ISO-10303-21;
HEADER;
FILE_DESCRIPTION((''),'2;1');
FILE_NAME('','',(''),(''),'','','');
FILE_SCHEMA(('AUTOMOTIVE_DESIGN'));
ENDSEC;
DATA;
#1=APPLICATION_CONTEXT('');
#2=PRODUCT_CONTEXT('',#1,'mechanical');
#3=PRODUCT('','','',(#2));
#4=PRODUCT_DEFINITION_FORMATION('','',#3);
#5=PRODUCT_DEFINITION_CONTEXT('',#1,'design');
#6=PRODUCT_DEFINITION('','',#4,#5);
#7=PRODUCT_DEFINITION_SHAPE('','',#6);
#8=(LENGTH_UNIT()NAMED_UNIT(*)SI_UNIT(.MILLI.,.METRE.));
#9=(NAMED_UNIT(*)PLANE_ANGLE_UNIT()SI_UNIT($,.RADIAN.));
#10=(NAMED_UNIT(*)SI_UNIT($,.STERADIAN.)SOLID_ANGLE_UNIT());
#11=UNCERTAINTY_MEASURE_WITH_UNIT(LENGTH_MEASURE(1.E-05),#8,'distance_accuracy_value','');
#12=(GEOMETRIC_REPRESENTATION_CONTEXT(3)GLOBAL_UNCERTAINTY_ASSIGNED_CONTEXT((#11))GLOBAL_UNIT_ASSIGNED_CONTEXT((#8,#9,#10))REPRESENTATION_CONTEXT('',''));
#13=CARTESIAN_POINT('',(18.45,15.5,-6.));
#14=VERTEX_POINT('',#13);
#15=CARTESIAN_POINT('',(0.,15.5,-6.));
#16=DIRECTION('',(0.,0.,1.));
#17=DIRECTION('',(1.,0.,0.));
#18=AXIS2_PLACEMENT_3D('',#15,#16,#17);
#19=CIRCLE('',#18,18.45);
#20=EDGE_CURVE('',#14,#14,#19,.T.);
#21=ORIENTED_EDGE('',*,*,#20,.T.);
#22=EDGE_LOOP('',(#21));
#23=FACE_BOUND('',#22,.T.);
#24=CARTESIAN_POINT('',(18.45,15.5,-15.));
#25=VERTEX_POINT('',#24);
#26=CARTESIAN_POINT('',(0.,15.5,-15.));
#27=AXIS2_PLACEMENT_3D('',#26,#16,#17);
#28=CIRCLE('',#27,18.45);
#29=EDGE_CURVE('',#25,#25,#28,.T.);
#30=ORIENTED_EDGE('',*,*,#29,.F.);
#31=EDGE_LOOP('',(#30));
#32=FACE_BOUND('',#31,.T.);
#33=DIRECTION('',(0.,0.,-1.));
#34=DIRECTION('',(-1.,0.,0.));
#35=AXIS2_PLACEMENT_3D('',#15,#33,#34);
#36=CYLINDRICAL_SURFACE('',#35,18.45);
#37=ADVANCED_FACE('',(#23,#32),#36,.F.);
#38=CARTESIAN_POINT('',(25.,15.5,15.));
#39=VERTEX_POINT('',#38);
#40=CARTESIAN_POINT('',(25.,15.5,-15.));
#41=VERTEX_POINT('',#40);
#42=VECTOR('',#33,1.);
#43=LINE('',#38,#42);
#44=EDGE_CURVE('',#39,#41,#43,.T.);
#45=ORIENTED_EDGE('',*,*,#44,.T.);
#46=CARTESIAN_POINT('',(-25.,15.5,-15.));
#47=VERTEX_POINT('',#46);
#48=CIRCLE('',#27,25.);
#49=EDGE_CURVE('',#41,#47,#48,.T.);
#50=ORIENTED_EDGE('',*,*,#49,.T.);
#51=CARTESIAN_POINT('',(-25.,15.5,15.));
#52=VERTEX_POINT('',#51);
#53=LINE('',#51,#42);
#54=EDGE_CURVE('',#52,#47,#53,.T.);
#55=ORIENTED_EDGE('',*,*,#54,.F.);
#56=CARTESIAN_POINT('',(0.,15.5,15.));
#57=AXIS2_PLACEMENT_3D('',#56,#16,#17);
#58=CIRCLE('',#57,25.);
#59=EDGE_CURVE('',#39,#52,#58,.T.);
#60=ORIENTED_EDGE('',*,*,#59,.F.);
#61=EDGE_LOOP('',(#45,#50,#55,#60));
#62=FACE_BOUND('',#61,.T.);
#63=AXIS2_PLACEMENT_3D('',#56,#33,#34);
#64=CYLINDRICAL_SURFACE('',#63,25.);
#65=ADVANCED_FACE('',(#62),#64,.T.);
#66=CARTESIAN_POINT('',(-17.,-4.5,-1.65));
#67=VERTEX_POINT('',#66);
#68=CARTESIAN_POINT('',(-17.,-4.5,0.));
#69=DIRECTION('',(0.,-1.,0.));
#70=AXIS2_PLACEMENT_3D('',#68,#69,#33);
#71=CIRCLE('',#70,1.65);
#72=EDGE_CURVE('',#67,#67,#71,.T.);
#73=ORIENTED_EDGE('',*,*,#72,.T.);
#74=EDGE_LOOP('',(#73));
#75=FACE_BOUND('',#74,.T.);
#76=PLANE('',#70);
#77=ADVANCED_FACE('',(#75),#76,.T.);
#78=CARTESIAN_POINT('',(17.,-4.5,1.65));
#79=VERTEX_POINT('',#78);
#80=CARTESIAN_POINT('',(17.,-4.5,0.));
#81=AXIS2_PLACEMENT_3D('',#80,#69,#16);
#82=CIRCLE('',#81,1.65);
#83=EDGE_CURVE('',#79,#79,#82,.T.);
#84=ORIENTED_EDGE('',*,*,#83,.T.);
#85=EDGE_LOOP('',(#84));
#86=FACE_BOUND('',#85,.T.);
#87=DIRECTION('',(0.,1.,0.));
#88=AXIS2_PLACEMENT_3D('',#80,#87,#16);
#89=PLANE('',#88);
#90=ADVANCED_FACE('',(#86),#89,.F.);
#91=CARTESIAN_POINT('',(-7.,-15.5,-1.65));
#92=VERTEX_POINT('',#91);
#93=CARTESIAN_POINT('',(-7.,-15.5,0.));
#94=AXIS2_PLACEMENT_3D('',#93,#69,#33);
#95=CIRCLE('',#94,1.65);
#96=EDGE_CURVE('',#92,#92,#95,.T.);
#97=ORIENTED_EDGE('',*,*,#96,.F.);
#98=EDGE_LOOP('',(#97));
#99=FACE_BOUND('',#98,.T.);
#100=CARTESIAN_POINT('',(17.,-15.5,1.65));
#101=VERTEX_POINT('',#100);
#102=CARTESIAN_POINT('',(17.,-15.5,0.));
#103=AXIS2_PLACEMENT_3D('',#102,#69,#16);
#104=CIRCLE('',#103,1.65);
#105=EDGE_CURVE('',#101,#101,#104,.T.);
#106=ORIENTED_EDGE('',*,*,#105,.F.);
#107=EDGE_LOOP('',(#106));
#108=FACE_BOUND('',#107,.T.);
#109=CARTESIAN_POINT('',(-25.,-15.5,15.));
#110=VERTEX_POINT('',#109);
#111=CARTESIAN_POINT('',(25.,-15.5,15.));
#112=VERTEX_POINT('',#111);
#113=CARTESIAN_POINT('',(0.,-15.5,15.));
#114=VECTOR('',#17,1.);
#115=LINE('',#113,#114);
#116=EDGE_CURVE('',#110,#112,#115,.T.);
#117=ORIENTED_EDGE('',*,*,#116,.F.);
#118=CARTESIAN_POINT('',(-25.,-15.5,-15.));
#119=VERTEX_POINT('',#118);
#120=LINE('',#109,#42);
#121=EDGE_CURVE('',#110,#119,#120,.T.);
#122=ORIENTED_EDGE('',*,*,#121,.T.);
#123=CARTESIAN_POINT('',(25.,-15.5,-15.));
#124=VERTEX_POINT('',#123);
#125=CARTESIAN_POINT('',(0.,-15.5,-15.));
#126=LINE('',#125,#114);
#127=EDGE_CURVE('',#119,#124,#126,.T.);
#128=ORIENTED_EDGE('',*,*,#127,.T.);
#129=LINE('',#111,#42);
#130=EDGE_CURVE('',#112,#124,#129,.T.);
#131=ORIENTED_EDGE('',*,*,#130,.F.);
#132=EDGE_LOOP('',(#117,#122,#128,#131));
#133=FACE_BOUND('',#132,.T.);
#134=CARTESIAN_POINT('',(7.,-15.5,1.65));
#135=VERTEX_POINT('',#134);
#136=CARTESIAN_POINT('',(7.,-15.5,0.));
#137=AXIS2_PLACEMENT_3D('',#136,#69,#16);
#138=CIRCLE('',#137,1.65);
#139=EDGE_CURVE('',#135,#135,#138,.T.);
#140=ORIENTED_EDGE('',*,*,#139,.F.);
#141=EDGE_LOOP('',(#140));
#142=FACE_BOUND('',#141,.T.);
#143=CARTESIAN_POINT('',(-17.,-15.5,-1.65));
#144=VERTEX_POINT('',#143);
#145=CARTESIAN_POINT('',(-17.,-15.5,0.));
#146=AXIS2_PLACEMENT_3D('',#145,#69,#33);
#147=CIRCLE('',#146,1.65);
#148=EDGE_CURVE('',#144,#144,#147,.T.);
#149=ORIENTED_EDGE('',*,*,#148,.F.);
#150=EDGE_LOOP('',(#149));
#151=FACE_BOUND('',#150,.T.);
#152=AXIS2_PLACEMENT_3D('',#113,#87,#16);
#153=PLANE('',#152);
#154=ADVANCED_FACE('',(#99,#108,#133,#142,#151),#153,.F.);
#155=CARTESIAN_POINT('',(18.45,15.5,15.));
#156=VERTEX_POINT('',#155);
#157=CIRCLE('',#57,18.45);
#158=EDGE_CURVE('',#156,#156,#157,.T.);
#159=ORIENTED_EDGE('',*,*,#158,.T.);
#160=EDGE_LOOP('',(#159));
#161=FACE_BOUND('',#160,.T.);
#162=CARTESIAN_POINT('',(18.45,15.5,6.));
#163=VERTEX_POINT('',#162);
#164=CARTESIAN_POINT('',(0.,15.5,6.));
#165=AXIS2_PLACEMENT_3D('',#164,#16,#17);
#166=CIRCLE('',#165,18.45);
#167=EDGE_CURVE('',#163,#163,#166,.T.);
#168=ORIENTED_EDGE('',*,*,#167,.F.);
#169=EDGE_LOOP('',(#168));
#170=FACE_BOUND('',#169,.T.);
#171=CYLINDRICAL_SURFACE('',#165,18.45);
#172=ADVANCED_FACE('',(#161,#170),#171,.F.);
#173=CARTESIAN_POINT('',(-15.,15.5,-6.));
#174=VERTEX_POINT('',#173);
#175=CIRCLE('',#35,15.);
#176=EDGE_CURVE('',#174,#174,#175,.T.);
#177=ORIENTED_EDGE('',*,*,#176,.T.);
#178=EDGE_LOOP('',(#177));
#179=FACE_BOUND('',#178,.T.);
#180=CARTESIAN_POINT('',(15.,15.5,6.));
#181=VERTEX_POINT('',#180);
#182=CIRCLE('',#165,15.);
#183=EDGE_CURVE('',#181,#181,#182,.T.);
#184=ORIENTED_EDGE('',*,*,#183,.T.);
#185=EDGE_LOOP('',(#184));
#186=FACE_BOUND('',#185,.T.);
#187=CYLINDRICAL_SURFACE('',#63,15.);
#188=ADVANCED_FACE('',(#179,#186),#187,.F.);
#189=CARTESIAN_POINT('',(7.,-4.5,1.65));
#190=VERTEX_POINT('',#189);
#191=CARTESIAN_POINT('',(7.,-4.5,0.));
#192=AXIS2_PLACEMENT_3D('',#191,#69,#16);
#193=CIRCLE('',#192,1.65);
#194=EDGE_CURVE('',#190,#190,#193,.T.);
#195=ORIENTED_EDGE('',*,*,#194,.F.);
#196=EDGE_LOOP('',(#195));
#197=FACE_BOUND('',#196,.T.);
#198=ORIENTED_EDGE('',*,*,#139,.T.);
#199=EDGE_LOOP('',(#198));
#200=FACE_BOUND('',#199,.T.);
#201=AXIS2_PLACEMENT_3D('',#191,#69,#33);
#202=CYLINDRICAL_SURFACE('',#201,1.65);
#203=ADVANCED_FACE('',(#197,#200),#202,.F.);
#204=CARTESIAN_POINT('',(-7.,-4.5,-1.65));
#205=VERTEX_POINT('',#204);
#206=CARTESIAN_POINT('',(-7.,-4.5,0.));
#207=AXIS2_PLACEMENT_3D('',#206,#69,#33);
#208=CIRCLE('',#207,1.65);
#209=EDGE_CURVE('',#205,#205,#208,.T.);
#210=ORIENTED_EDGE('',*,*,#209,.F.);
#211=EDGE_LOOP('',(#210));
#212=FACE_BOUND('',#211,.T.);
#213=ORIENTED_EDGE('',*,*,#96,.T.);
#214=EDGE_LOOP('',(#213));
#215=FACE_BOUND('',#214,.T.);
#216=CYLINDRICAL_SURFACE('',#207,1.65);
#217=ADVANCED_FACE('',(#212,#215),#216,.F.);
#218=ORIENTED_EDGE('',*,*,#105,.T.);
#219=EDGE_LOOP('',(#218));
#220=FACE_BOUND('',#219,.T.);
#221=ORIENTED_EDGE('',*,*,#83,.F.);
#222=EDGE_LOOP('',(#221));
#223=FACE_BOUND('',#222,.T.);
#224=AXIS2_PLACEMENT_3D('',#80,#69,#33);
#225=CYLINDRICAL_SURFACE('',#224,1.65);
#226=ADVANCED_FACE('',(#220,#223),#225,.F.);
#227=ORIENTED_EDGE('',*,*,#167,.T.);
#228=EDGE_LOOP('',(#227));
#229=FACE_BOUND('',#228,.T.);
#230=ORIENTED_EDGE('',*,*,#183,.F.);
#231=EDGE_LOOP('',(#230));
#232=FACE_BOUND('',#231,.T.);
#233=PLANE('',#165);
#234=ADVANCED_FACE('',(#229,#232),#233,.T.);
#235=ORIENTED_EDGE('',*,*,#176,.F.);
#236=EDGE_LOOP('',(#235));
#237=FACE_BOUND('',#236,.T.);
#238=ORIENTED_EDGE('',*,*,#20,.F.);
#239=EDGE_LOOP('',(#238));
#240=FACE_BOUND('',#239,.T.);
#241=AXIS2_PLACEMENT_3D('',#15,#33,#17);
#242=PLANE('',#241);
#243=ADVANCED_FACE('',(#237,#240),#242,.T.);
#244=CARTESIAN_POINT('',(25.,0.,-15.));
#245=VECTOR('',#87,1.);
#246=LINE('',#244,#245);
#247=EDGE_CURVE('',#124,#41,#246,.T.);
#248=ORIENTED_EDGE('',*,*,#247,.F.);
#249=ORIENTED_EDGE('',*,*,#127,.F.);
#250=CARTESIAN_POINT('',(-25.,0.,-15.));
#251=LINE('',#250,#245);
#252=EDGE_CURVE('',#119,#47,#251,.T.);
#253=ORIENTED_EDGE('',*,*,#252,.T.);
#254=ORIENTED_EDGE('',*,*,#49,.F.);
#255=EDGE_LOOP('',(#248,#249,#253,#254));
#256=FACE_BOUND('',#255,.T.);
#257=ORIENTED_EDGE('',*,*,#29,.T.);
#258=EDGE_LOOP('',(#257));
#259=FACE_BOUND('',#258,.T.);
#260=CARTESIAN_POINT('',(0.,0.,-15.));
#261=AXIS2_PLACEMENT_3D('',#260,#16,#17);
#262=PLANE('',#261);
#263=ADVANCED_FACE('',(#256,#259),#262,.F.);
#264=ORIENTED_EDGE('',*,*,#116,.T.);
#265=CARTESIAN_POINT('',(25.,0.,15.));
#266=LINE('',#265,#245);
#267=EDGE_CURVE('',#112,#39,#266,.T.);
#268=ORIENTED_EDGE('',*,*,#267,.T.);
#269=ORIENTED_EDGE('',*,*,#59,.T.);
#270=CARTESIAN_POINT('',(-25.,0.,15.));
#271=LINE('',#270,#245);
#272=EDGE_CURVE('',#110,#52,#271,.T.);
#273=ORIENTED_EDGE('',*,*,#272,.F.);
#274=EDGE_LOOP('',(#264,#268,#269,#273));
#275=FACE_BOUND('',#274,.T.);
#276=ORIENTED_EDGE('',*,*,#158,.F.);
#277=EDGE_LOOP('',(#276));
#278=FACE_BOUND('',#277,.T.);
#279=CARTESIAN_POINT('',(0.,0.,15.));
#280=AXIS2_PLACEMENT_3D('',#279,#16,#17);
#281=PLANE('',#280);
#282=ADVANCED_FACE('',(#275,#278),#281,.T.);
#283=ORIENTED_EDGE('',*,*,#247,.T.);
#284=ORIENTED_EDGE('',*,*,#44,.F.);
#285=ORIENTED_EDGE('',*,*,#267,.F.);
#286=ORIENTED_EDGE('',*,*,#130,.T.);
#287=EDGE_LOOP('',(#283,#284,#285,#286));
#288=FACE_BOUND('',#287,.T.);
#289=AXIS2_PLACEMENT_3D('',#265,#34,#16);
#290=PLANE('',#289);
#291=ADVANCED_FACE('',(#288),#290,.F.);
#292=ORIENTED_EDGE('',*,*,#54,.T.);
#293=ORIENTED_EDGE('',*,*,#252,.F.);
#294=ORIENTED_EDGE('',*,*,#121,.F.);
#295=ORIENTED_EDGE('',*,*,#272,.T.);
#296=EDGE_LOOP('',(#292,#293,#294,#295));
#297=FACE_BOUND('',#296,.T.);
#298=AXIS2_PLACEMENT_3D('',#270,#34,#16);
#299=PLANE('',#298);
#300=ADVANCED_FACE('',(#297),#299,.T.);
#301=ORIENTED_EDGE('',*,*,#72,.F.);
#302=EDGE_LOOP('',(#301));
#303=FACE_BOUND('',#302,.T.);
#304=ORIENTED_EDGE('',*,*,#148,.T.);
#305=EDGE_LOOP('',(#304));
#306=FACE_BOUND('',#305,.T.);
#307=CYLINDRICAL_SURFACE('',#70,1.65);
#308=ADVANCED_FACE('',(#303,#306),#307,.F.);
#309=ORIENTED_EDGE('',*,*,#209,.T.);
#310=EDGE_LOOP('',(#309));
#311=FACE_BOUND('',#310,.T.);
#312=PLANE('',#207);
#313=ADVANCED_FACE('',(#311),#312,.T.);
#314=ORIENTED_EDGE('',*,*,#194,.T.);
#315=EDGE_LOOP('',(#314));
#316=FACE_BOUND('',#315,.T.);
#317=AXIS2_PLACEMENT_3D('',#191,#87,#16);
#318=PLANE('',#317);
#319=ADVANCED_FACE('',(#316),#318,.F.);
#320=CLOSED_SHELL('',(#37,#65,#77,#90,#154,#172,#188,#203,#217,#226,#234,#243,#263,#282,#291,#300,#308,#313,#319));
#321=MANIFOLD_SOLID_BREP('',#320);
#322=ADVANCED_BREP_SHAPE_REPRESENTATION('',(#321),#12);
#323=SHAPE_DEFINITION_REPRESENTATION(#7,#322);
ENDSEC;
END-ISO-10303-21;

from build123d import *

# Parameters (mm, degrees)
AUFSATZ_LINEAR_AUSTRAGEN1_DEPTH = 15
SKIZZE3_R                       = 18.45
SCHNITT_LINEAR_AUSTRAGEN1_DEPTH = 9
SKIZZE4_R                       = 1.65
SCHNITT_LINEAR_AUSTRAGEN2_DEPTH = 11


with BuildPart() as part:
    # Skizze1 → Aufsatz-Linear austragen1 (new, symmetric)
    with BuildSketch(Plane.XY):
        with BuildLine():
            ThreePointArc((25, 15.5), (0, 40.5), (-25, 15.5))
            Line((-25, 15.5), (-15, 15.5))
            ThreePointArc((-15, 15.5), (0, 30.5), (15, 15.5))
            Line((15, 15.5), (25, 15.5))
        make_face()
        with BuildLine():
            Line((-15, 15.5), (-25, 15.5))
            ThreePointArc((-25, 15.5), (0, -9.5), (25, 15.5))
            Line((25, 15.5), (15, 15.5))
            ThreePointArc((15, 15.5), (0, 0.5), (-15, 15.5))
        make_face()
        with BuildLine():
            Line((-25, 15.5), (-25, -15.5))
            Line((-25, -15.5), (25, -15.5))
            Line((25, -15.5), (25, 15.5))
            ThreePointArc((25, 15.5), (0, -9.5), (-25, 15.5))
        make_face()
    extrude(amount=AUFSATZ_LINEAR_AUSTRAGEN1_DEPTH, both=True)

    # Skizze3 → Schnitt-Linear austragen1 (cut)
    with BuildSketch(Plane.XY.offset(15)):
        with Locations((0, 15.5)):
            Circle(SKIZZE3_R)
    schnitt_linear_austragen1 = extrude(amount=-SCHNITT_LINEAR_AUSTRAGEN1_DEPTH, mode=Mode.SUBTRACT)

    # Spiegeln1: Schnitt-Linear austragen1 across plane
    add(schnitt_linear_austragen1.mirror(Plane.XY), mode=Mode.SUBTRACT)

    # Skizze4 → Schnitt-Linear austragen2 (cut)
    with BuildSketch(Plane.XZ.offset(15.5)):
        with Locations(Location((-17, 0, 0), (0, 0, 270))):
            Circle(SKIZZE4_R)
        with Locations(Location((-7, 0, 0), (0, 0, 270))):
            Circle(SKIZZE4_R)
        with Locations(Location((7, 0, 0), (0, 0, 90))):
            Circle(SKIZZE4_R)
        with Locations(Location((17, 0, 0), (0, 0, 90))):
            Circle(SKIZZE4_R)
    extrude(amount=-SCHNITT_LINEAR_AUSTRAGEN2_DEPTH, mode=Mode.SUBTRACT)


solid = part.part
